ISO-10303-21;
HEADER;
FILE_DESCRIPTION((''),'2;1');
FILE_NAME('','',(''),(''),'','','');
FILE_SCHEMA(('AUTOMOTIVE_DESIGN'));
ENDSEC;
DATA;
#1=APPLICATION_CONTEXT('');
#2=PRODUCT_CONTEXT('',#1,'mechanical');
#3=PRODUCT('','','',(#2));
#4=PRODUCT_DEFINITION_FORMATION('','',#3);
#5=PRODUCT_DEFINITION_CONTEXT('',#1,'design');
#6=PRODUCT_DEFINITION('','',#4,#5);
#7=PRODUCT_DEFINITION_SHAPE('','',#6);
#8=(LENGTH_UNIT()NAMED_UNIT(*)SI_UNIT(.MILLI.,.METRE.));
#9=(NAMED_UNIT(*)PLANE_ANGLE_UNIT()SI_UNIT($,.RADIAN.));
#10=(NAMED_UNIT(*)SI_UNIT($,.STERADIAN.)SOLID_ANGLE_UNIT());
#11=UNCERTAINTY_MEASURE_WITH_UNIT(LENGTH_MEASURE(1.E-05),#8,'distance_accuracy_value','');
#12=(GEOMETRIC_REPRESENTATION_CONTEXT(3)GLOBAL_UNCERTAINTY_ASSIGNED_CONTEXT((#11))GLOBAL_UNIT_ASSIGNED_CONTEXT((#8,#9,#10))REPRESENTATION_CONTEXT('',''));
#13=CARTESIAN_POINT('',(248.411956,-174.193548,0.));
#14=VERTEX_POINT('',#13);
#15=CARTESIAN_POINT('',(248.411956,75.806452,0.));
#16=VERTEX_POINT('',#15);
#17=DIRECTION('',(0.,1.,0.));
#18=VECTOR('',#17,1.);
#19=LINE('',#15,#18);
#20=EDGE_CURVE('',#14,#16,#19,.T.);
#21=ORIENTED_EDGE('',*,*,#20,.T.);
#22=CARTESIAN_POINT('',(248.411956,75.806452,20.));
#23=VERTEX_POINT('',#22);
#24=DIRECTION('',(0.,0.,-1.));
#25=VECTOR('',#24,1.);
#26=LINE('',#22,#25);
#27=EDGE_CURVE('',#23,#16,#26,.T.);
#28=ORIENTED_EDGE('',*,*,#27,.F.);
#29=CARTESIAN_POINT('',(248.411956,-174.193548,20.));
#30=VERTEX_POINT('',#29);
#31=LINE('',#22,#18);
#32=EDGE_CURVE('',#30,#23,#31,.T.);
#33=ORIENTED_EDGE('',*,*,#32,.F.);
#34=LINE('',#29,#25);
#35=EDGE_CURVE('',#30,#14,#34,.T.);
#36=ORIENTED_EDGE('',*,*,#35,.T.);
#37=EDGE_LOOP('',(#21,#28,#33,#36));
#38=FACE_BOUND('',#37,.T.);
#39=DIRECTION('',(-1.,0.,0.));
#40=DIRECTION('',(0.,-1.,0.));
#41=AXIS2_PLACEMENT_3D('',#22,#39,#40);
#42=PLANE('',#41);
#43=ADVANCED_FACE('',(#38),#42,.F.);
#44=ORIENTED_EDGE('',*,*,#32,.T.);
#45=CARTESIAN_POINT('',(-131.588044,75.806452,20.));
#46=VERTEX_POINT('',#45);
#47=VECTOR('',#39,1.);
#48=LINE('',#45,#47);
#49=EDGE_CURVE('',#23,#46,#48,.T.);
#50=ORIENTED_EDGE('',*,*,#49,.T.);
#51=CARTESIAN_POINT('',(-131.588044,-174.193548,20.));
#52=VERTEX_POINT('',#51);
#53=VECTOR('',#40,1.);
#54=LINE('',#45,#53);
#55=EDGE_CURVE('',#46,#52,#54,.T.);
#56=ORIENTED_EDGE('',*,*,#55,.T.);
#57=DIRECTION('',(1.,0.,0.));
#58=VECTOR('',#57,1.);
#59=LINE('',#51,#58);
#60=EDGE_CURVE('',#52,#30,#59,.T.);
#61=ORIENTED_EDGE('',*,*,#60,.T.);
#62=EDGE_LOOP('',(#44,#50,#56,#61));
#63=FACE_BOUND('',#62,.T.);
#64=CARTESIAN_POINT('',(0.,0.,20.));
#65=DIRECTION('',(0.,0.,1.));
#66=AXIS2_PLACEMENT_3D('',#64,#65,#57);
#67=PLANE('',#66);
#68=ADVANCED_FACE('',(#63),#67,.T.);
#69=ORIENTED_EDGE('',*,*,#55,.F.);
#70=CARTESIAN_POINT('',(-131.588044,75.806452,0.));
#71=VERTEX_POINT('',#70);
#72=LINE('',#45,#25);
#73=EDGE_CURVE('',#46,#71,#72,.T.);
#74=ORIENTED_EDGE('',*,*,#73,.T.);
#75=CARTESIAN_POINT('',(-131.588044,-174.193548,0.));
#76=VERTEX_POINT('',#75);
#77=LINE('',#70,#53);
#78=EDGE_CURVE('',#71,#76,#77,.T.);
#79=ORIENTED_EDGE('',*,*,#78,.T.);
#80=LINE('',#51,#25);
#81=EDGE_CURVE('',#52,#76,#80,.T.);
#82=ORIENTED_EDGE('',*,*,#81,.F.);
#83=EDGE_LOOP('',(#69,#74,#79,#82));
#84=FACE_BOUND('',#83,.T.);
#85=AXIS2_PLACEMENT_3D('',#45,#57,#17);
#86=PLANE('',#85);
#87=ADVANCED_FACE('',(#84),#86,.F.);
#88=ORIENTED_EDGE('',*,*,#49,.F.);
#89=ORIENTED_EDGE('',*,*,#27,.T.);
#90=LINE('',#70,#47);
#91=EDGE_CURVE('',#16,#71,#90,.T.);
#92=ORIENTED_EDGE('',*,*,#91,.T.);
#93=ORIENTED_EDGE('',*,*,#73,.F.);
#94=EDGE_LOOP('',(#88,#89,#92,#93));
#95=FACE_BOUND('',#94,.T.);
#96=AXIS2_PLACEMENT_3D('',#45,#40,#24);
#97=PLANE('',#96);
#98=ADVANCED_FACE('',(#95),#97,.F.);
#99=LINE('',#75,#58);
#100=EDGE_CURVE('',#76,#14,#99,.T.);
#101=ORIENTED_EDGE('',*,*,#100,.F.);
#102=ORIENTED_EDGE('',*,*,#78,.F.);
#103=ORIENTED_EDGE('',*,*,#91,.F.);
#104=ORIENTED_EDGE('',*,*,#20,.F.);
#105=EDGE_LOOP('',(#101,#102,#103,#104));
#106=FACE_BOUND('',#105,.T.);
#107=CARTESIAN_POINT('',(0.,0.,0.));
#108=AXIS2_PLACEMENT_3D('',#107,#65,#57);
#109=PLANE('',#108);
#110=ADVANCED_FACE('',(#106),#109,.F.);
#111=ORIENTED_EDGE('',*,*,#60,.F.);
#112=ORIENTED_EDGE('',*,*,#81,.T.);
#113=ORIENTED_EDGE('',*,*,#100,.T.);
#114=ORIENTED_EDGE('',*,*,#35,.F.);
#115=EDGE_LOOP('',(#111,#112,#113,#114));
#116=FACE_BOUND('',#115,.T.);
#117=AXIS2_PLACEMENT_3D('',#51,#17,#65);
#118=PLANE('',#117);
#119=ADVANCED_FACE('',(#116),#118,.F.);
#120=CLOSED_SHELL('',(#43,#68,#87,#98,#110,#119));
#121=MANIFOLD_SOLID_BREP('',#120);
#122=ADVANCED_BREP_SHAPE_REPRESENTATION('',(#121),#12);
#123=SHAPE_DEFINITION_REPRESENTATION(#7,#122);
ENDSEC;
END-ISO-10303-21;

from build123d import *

# Parameters (mm, degrees)
IZIM1_W                     = 380
IZIM1_H                     = 250
Y_KSEKLIK_EKSTR_ZYON1_DEPTH = 20


with BuildPart() as part:
    # Çizim1 → Yükseklik-Ekstrüzyon1 (new body)
    with BuildSketch(Plane.XY):
        with Locations((58.41195593, -49.193548387)):
            Rectangle(IZIM1_W, IZIM1_H)
    extrude(amount=Y_KSEKLIK_EKSTR_ZYON1_DEPTH)


solid = part.part
